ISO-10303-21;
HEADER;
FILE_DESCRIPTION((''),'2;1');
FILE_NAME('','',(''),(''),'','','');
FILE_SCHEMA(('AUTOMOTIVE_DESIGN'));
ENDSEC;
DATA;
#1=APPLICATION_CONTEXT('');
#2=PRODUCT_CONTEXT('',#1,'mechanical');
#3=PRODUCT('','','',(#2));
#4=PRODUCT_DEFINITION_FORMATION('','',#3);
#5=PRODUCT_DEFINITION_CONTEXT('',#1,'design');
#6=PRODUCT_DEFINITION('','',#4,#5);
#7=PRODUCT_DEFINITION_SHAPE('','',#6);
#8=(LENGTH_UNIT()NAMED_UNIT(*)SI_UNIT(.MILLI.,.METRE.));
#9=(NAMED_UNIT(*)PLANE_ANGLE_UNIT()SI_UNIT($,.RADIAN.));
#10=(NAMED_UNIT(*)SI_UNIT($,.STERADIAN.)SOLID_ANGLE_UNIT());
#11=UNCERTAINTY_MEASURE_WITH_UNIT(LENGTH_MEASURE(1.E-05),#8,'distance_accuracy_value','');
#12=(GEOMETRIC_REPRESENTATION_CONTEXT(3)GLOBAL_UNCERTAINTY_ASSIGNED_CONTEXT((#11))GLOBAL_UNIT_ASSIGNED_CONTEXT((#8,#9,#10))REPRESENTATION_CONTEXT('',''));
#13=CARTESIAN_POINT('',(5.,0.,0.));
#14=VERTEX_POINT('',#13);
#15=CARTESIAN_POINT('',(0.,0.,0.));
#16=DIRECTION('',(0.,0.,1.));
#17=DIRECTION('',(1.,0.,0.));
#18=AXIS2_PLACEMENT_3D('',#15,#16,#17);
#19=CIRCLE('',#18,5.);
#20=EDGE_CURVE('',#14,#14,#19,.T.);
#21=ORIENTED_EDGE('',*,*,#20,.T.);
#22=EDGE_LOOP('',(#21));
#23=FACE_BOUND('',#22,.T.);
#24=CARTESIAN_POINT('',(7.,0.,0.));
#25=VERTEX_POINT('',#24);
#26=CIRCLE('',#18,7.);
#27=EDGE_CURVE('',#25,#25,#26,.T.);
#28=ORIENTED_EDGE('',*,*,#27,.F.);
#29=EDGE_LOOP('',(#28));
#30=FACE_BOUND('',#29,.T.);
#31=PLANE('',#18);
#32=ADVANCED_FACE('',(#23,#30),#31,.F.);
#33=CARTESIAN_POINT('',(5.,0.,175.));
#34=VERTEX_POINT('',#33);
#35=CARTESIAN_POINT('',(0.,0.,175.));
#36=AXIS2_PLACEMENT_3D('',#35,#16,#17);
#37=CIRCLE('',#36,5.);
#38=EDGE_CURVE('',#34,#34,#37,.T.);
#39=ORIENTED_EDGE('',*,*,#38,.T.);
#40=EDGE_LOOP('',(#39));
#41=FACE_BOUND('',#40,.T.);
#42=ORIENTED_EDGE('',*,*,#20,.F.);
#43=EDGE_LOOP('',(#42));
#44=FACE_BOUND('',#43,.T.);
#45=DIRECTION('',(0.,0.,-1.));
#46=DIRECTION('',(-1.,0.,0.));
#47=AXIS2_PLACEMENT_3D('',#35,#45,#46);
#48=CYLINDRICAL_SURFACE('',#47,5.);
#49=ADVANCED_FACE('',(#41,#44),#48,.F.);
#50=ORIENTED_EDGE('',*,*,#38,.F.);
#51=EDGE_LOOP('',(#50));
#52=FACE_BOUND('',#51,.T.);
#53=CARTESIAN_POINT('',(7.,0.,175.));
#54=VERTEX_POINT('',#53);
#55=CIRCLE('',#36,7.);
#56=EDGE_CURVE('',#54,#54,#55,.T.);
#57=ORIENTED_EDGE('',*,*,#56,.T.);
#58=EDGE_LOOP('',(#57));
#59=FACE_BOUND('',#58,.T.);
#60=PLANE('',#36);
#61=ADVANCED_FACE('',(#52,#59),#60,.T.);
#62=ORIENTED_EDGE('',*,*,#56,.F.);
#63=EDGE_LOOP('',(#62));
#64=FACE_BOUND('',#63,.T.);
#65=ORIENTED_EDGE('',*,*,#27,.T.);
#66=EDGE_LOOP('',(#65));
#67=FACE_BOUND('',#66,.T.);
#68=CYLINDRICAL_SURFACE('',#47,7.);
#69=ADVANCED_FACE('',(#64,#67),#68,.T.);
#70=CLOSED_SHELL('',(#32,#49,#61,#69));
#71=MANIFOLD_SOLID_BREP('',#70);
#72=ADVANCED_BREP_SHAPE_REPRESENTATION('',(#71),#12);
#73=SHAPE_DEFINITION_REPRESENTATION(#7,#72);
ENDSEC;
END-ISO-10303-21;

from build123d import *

# Parameters (mm, degrees)
SZKIC1_R                    = 7
SZKIC1_R_2                  = 5
DODANIE_WYCI_GNI_CIE1_DEPTH = 175


with BuildPart() as part:
    # Szkic1 → Dodanie-wyciągnięcie1 (new body)
    with BuildSketch(Plane.XY):
        Circle(SZKIC1_R)
        Circle(SZKIC1_R_2, mode=Mode.SUBTRACT)
    extrude(amount=DODANIE_WYCI_GNI_CIE1_DEPTH)


solid = part.part
